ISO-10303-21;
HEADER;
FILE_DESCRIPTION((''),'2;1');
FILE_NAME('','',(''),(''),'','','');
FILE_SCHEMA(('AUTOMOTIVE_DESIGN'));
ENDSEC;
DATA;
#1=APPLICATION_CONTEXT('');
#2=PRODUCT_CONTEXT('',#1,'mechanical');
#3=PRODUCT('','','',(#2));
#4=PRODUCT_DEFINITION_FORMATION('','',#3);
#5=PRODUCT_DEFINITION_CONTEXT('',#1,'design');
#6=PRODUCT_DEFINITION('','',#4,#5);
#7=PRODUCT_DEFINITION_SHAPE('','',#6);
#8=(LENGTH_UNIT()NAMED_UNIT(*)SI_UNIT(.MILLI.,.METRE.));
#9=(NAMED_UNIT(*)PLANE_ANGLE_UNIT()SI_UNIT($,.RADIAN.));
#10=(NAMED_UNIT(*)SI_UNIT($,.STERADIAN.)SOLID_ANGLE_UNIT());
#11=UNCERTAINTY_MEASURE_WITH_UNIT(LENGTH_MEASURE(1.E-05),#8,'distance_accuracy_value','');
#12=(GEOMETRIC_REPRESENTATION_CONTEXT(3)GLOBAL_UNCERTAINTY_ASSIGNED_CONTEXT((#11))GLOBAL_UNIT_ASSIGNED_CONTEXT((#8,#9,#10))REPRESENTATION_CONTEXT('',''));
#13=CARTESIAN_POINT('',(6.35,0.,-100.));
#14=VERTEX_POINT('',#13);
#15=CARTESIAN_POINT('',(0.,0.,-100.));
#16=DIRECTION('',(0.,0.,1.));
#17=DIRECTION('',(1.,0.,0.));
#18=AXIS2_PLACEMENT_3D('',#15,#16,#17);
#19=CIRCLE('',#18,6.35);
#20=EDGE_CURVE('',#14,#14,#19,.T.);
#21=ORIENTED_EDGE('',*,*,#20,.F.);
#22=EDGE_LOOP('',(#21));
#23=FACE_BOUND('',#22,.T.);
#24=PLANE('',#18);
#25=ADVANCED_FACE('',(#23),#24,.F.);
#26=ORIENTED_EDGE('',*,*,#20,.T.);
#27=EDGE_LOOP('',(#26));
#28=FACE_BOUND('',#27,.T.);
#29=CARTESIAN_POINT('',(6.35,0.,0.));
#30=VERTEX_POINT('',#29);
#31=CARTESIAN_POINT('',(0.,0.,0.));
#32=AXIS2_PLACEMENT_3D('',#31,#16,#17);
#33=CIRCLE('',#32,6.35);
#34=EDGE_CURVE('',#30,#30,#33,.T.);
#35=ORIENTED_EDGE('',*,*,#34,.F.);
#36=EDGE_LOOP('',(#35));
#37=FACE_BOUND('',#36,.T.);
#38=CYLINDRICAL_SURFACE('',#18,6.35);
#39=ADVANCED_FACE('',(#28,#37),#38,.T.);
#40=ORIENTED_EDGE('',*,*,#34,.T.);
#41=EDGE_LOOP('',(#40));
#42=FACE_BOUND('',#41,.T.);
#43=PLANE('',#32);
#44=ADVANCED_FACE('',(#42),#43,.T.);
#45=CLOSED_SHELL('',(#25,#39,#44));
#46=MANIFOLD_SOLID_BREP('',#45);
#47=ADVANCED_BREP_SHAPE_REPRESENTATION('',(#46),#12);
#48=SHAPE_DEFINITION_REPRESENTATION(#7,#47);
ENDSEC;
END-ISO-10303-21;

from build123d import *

# Parameters (mm, degrees)
CROQUIS1_R = 6.35


with BuildPart() as part:
    # Barrer1: sweep along a path in Croquis2
    with BuildLine(Plane(origin=(0, 0, 0), x_dir=(0, 0, -1), z_dir=(1, 0, 0))) as barrer1_path:
        Line((0, 0), (100, 0))
    # Croquis1 → Barrer1 (sweep)
    with BuildSketch(Plane.XY):
        Circle(CROQUIS1_R)
    sweep(path=barrer1_path.line)


solid = part.part
